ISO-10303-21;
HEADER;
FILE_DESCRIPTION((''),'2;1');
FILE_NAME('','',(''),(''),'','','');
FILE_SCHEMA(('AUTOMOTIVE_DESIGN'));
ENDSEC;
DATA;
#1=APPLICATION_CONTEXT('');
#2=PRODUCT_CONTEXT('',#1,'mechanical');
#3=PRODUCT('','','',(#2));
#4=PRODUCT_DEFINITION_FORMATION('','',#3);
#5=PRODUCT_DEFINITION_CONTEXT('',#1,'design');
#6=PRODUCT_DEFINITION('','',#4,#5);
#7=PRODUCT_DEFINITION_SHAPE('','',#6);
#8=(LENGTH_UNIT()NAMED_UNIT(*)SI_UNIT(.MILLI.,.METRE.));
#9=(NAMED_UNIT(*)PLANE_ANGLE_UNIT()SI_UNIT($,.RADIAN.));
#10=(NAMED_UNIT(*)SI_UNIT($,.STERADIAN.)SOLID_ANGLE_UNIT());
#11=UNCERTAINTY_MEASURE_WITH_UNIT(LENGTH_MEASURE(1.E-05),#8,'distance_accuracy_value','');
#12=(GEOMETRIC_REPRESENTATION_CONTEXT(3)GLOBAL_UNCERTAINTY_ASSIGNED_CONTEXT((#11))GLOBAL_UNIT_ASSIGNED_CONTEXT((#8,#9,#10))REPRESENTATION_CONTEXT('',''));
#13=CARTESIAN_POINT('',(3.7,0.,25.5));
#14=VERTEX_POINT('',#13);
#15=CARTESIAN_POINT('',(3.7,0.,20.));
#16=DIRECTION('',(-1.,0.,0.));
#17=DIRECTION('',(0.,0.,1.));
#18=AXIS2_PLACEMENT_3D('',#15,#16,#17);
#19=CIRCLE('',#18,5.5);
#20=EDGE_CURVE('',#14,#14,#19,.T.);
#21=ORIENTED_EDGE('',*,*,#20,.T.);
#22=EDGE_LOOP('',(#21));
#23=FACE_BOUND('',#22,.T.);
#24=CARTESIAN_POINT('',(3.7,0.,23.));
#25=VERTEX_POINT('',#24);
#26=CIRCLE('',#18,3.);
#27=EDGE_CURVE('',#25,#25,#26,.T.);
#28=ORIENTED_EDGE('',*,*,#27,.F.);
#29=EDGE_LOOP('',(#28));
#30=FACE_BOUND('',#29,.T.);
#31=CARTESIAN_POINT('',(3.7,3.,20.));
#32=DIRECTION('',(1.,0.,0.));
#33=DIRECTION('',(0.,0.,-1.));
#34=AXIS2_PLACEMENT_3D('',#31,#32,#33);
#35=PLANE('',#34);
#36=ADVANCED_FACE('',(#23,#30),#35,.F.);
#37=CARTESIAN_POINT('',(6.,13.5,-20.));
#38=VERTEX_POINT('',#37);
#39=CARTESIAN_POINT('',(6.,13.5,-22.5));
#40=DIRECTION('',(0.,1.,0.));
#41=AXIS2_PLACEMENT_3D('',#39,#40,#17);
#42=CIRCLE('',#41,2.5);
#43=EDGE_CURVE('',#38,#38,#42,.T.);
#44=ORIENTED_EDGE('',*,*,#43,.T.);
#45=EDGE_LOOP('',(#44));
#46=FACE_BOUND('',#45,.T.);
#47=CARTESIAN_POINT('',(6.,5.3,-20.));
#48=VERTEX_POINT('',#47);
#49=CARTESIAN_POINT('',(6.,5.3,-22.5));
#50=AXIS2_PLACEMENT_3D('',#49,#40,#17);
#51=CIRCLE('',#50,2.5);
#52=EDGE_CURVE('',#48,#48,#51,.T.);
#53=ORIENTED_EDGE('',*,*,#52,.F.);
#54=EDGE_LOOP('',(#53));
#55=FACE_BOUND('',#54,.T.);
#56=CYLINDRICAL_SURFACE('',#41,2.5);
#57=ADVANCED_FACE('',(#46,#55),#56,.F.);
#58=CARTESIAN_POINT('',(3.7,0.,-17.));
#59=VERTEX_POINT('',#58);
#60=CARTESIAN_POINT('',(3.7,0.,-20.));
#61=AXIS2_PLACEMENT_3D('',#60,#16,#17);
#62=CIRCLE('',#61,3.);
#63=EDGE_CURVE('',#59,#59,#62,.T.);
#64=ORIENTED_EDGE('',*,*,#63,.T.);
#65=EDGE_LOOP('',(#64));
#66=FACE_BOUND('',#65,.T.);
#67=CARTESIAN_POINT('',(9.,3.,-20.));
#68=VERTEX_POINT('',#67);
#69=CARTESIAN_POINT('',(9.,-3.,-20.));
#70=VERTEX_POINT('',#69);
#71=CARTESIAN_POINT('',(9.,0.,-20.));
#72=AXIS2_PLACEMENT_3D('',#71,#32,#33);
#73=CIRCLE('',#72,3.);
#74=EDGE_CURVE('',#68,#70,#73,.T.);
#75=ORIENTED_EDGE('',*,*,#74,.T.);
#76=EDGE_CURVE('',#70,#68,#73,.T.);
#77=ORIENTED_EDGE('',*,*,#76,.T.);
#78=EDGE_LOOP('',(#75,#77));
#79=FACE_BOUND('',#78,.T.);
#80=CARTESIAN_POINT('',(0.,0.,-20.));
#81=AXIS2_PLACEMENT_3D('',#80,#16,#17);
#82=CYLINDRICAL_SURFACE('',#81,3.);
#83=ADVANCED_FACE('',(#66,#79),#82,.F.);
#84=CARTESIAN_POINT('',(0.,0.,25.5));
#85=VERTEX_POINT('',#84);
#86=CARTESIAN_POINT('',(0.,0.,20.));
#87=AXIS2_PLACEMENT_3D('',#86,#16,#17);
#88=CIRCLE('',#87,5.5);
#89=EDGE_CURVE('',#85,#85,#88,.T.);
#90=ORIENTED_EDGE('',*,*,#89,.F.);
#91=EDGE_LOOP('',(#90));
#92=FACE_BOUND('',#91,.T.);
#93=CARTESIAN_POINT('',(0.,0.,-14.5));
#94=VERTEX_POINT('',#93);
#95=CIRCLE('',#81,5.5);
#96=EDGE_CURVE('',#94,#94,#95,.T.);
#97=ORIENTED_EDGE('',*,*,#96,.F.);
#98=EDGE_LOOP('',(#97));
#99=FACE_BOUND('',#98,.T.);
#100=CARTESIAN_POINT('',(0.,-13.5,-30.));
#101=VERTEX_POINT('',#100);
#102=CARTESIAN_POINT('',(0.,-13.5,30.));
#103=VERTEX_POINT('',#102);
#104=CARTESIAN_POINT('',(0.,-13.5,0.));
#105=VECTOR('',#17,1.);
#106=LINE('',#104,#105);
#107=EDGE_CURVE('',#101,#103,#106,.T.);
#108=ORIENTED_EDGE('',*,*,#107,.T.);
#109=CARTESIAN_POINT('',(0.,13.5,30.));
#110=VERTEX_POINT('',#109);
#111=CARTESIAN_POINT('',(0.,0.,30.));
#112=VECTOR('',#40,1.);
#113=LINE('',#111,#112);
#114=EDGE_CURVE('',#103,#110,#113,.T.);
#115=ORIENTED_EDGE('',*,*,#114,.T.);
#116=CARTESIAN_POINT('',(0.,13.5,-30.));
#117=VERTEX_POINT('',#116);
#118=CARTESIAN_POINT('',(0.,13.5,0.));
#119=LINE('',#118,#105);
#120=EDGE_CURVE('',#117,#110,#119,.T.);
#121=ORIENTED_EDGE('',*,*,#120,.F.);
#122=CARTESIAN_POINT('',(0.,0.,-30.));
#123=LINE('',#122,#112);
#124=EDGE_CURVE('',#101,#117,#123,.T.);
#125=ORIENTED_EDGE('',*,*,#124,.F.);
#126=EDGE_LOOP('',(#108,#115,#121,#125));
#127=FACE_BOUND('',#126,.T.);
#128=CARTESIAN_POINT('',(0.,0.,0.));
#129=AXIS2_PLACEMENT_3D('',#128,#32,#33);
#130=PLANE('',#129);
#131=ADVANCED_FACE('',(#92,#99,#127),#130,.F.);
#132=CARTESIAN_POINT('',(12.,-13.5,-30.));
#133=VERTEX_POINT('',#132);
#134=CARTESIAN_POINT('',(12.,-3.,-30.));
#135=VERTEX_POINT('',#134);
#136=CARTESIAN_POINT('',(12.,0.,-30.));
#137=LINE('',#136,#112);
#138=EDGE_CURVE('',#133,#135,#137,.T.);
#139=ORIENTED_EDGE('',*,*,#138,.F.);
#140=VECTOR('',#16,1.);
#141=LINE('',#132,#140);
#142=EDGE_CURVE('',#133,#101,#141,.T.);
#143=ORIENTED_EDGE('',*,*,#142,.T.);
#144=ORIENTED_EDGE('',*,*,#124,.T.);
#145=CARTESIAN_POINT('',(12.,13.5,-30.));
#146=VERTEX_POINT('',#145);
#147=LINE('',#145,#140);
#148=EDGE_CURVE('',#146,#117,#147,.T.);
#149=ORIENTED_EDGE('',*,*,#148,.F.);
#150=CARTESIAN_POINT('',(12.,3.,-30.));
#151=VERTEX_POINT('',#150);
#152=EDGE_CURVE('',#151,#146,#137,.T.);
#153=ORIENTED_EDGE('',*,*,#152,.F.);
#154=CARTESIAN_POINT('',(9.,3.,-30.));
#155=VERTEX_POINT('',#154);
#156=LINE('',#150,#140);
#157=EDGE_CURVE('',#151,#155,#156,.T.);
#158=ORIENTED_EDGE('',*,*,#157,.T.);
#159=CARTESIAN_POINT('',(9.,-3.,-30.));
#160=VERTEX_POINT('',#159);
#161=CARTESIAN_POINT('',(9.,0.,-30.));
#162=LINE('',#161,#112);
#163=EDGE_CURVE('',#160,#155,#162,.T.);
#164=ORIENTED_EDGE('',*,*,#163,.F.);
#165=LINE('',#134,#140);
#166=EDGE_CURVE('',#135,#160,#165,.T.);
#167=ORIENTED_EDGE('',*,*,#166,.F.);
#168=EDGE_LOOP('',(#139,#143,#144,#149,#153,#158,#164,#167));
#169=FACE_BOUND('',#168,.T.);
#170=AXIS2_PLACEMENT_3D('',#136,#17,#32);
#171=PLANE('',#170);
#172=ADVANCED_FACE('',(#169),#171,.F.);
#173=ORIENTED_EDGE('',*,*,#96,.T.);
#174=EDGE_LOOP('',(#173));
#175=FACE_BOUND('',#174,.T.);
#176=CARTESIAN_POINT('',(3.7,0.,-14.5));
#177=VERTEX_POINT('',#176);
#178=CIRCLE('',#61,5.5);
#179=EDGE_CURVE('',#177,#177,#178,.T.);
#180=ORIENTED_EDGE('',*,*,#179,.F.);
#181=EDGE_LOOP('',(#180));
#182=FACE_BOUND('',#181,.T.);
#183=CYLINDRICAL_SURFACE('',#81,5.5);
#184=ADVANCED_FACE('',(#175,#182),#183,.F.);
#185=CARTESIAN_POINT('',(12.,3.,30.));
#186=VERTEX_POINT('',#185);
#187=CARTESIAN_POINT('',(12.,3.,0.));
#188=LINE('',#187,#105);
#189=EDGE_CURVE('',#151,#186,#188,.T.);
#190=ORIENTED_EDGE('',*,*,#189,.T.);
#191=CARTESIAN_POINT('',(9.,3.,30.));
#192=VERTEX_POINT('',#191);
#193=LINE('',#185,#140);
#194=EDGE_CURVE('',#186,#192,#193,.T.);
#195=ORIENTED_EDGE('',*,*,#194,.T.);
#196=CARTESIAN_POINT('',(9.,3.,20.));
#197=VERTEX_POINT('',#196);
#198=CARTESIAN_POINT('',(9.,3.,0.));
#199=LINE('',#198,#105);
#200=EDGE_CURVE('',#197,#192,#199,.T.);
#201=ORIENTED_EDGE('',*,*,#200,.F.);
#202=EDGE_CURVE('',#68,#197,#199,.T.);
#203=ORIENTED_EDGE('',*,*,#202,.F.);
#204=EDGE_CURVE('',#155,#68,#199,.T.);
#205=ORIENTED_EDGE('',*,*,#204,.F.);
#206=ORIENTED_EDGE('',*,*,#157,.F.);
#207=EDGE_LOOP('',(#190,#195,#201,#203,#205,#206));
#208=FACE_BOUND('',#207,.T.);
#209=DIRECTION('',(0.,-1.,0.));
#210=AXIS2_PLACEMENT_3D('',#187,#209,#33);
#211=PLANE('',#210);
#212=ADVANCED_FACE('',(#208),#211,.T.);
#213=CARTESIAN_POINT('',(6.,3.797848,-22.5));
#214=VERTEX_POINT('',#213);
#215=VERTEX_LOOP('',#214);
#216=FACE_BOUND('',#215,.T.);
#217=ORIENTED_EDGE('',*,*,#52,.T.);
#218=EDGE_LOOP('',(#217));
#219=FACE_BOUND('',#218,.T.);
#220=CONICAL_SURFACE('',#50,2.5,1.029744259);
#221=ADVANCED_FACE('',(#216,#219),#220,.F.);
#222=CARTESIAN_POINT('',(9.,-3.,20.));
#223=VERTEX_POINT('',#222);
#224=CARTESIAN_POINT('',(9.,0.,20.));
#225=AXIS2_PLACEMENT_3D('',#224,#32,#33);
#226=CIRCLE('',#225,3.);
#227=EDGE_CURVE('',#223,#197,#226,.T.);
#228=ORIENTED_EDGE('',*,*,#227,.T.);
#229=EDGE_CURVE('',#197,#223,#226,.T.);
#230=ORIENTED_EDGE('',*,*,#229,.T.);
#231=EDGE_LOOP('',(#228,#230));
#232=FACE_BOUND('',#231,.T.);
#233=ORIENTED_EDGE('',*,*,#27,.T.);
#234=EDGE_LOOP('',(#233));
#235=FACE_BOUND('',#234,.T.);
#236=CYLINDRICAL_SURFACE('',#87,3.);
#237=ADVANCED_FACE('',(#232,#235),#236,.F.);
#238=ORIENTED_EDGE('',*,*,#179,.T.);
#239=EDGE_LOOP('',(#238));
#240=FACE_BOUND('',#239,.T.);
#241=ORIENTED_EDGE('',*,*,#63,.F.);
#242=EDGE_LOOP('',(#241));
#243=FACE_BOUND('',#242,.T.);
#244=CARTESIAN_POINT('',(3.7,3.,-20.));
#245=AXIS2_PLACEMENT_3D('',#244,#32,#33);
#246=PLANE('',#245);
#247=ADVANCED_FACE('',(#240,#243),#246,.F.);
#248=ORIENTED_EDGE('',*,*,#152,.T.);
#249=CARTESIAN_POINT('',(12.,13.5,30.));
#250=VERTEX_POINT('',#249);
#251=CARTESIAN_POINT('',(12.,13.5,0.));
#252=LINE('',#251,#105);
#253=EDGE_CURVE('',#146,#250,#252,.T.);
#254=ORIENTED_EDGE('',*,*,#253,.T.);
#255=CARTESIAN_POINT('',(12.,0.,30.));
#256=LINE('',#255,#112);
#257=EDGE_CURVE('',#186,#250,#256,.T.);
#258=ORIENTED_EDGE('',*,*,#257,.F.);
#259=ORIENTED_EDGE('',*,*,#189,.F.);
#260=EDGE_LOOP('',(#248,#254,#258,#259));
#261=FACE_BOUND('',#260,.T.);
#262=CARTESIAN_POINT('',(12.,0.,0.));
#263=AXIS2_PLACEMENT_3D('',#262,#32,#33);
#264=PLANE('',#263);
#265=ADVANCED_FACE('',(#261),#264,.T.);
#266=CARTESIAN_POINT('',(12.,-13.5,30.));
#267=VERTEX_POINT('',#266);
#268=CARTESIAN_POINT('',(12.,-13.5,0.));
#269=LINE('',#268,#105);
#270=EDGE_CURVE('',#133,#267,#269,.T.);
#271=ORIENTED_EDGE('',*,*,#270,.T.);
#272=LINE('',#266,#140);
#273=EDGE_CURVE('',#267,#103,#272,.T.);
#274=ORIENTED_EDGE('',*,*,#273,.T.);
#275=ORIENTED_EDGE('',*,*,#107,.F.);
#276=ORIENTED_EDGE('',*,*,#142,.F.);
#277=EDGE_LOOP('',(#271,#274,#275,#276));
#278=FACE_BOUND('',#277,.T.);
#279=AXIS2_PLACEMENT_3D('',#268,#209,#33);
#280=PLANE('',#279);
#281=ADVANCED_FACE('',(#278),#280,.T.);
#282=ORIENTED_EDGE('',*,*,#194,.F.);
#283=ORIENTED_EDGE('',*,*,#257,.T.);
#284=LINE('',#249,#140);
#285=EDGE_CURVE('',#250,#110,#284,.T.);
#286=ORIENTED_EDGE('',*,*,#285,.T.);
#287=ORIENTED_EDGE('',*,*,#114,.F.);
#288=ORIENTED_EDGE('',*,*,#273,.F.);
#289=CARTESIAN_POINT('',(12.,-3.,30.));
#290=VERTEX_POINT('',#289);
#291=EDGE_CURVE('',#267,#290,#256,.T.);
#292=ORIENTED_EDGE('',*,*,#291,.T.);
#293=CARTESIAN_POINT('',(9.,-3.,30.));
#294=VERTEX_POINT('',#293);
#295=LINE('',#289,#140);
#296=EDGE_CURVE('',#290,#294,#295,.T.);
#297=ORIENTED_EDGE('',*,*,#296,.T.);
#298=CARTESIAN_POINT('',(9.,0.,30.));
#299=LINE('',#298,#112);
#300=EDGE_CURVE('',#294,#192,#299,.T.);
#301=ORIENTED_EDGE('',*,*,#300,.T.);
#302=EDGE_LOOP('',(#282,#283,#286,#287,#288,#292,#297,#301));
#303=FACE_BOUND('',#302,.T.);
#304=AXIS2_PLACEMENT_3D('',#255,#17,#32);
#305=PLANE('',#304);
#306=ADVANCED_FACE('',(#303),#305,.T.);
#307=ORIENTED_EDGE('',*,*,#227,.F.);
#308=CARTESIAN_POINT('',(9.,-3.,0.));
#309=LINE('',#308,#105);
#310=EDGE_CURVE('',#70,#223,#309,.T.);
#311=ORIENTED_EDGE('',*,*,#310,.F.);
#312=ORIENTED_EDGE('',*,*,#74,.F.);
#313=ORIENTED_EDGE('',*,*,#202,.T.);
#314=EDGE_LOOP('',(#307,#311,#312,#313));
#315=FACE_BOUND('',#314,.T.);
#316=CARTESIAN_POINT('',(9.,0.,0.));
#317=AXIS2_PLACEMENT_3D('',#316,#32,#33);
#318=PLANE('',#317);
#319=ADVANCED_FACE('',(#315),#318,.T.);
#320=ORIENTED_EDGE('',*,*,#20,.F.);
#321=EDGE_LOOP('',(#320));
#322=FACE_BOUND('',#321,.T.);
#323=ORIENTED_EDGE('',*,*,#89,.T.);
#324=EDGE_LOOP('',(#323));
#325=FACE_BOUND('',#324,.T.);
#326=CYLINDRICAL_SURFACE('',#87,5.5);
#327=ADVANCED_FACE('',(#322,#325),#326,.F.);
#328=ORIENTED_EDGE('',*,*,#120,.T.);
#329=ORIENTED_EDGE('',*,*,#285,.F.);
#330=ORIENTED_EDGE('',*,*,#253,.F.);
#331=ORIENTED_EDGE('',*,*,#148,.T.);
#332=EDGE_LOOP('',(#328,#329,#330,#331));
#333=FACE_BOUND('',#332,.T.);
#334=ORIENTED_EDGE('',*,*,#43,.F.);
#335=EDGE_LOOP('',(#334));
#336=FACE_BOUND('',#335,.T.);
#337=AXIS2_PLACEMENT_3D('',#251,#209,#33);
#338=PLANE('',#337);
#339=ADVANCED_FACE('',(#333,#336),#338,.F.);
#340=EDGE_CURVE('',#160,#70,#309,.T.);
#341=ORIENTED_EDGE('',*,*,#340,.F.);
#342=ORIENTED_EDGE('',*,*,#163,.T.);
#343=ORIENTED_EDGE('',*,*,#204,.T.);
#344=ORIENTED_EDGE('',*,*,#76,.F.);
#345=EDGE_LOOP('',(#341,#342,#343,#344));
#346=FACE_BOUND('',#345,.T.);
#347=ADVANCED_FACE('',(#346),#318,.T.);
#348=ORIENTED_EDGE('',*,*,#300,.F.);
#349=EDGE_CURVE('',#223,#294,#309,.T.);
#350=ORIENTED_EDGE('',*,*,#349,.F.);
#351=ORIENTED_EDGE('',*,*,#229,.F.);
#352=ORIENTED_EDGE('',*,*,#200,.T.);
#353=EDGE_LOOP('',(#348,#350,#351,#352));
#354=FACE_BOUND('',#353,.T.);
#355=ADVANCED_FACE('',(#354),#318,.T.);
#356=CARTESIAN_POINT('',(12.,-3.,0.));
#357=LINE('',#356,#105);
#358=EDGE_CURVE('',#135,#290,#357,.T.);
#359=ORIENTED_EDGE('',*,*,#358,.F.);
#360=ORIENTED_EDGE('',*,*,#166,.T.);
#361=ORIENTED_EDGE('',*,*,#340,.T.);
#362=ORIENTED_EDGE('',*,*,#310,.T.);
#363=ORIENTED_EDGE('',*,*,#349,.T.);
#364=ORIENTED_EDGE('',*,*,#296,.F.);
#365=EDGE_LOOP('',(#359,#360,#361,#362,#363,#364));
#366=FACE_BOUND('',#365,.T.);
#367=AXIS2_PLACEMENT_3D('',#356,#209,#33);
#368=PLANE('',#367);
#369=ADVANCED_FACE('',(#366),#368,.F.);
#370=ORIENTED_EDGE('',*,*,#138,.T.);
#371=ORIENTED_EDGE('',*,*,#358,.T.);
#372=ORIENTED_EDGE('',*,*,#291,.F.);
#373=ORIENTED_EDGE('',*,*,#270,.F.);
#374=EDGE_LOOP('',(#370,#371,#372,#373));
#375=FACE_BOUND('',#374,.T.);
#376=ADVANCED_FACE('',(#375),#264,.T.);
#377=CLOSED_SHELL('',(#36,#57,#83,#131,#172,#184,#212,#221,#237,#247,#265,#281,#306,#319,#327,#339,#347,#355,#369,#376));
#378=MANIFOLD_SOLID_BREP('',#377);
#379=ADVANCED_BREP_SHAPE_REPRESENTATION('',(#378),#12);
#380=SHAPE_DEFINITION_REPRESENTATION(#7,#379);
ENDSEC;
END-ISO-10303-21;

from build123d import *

# Parameters (mm, degrees)
SKETCH1_W                                = 60
SKETCH1_H                                = 10.5
BOSS_EXTRUDE1_DEPTH                      = 12
BOSS_EXTRUDE1_2_DEPTH                    = 12
SKETCH1_4_W                              = 60
SKETCH1_4_H                              = 6
BOSS_EXTRUDE2_DEPTH                      = 9
CBORE_FOR_M5_PAN_HEAD_SCREW1_D           = 6
CBORE_FOR_M5_PAN_HEAD_SCREW1_CBORE_D     = 11
CBORE_FOR_M5_PAN_HEAD_SCREW1_CBORE_DEPTH = 3.7
F_5_0_5_DIAMETER_HOLE17_D                = 5
F_5_0_5_DIAMETER_HOLE17_DEPTH            = 8.2
F_5_0_5_DIAMETER_HOLE17_TIP              = 1.502151548
F_5_0_5_DIAMETER_HOLE17_ON_FACE_2_D      = 5
F_5_0_5_DIAMETER_HOLE17_ON_FACE_2_DEPTH  = 8.2
F_5_0_5_DIAMETER_HOLE17_ON_FACE_2_TIP    = 1.502151548


with BuildPart() as part:
    # Sketch1 → Boss-Extrude1 (new body)
    with BuildSketch(Plane(origin=(0, 0, 0), x_dir=(0, 0, -1), z_dir=(1, 0, 0))):
        with Locations((0, 8.25)):
            Rectangle(SKETCH1_W, SKETCH1_H)
    extrude(amount=BOSS_EXTRUDE1_DEPTH)



with BuildPart() as body_2:
    # Sketch1 → Boss-Extrude1 2 (new body)
    with BuildSketch(Plane(origin=(0, 0, 0), x_dir=(0, 0, -1), z_dir=(1, 0, 0))):
        with Locations((0, -8.25)):
            Rectangle(SKETCH1_W, SKETCH1_H)
    extrude(amount=BOSS_EXTRUDE1_2_DEPTH)


with BuildPart() as part_1:
    add(part.part)

    add(body_2.part)  # Boss-Extrude2 merges body 2
    # Sketch1<4> → Boss-Extrude2 (add)
    with BuildSketch(Plane(origin=(0, 0, 0), x_dir=(0, 0, -1), z_dir=(1, 0, 0))):
        Rectangle(SKETCH1_4_W, SKETCH1_4_H)
    extrude(amount=BOSS_EXTRUDE2_DEPTH)

    # CBORE for M5 Pan Head Screw1 (through all)
    with Locations(Plane(origin=(0, 0, -20), x_dir=(0, 0, -1), z_dir=(-1, 0, 0))):
        with Locations((0, 0), (-40, 0)):
            CounterBoreHole(CBORE_FOR_M5_PAN_HEAD_SCREW1_D / 2, CBORE_FOR_M5_PAN_HEAD_SCREW1_CBORE_D / 2, CBORE_FOR_M5_PAN_HEAD_SCREW1_CBORE_DEPTH)

    # Ø5.0 (5) Diameter Hole17
    with Locations(Plane(origin=(6, 13.5, -22.5), x_dir=(0, 0, 1), z_dir=(0, 1, 0))):
        with Locations((0, 0)):
            Hole(F_5_0_5_DIAMETER_HOLE17_D / 2, depth=F_5_0_5_DIAMETER_HOLE17_DEPTH)
            with Locations((0, 0, -(F_5_0_5_DIAMETER_HOLE17_DEPTH + F_5_0_5_DIAMETER_HOLE17_TIP / 2))):  # 118° drill point
                Cone(0, F_5_0_5_DIAMETER_HOLE17_D / 2, F_5_0_5_DIAMETER_HOLE17_TIP, mode=Mode.SUBTRACT)

    # Ø5.0 (5) Diameter Hole17 on face 2
    with Locations(Plane(origin=(-4.960948742, 0, -17.906998739), x_dir=(0, 0, 1), z_dir=(0, 1, 0))):
        with Locations((0, 0), (0.436961169, -4.141332284)):
            Hole(F_5_0_5_DIAMETER_HOLE17_ON_FACE_2_D / 2, depth=F_5_0_5_DIAMETER_HOLE17_ON_FACE_2_DEPTH)
            with Locations((0, 0, -(F_5_0_5_DIAMETER_HOLE17_ON_FACE_2_DEPTH + F_5_0_5_DIAMETER_HOLE17_ON_FACE_2_TIP / 2))):  # 118° drill point
                Cone(0, F_5_0_5_DIAMETER_HOLE17_ON_FACE_2_D / 2, F_5_0_5_DIAMETER_HOLE17_ON_FACE_2_TIP, mode=Mode.SUBTRACT)


solid = part_1.part
